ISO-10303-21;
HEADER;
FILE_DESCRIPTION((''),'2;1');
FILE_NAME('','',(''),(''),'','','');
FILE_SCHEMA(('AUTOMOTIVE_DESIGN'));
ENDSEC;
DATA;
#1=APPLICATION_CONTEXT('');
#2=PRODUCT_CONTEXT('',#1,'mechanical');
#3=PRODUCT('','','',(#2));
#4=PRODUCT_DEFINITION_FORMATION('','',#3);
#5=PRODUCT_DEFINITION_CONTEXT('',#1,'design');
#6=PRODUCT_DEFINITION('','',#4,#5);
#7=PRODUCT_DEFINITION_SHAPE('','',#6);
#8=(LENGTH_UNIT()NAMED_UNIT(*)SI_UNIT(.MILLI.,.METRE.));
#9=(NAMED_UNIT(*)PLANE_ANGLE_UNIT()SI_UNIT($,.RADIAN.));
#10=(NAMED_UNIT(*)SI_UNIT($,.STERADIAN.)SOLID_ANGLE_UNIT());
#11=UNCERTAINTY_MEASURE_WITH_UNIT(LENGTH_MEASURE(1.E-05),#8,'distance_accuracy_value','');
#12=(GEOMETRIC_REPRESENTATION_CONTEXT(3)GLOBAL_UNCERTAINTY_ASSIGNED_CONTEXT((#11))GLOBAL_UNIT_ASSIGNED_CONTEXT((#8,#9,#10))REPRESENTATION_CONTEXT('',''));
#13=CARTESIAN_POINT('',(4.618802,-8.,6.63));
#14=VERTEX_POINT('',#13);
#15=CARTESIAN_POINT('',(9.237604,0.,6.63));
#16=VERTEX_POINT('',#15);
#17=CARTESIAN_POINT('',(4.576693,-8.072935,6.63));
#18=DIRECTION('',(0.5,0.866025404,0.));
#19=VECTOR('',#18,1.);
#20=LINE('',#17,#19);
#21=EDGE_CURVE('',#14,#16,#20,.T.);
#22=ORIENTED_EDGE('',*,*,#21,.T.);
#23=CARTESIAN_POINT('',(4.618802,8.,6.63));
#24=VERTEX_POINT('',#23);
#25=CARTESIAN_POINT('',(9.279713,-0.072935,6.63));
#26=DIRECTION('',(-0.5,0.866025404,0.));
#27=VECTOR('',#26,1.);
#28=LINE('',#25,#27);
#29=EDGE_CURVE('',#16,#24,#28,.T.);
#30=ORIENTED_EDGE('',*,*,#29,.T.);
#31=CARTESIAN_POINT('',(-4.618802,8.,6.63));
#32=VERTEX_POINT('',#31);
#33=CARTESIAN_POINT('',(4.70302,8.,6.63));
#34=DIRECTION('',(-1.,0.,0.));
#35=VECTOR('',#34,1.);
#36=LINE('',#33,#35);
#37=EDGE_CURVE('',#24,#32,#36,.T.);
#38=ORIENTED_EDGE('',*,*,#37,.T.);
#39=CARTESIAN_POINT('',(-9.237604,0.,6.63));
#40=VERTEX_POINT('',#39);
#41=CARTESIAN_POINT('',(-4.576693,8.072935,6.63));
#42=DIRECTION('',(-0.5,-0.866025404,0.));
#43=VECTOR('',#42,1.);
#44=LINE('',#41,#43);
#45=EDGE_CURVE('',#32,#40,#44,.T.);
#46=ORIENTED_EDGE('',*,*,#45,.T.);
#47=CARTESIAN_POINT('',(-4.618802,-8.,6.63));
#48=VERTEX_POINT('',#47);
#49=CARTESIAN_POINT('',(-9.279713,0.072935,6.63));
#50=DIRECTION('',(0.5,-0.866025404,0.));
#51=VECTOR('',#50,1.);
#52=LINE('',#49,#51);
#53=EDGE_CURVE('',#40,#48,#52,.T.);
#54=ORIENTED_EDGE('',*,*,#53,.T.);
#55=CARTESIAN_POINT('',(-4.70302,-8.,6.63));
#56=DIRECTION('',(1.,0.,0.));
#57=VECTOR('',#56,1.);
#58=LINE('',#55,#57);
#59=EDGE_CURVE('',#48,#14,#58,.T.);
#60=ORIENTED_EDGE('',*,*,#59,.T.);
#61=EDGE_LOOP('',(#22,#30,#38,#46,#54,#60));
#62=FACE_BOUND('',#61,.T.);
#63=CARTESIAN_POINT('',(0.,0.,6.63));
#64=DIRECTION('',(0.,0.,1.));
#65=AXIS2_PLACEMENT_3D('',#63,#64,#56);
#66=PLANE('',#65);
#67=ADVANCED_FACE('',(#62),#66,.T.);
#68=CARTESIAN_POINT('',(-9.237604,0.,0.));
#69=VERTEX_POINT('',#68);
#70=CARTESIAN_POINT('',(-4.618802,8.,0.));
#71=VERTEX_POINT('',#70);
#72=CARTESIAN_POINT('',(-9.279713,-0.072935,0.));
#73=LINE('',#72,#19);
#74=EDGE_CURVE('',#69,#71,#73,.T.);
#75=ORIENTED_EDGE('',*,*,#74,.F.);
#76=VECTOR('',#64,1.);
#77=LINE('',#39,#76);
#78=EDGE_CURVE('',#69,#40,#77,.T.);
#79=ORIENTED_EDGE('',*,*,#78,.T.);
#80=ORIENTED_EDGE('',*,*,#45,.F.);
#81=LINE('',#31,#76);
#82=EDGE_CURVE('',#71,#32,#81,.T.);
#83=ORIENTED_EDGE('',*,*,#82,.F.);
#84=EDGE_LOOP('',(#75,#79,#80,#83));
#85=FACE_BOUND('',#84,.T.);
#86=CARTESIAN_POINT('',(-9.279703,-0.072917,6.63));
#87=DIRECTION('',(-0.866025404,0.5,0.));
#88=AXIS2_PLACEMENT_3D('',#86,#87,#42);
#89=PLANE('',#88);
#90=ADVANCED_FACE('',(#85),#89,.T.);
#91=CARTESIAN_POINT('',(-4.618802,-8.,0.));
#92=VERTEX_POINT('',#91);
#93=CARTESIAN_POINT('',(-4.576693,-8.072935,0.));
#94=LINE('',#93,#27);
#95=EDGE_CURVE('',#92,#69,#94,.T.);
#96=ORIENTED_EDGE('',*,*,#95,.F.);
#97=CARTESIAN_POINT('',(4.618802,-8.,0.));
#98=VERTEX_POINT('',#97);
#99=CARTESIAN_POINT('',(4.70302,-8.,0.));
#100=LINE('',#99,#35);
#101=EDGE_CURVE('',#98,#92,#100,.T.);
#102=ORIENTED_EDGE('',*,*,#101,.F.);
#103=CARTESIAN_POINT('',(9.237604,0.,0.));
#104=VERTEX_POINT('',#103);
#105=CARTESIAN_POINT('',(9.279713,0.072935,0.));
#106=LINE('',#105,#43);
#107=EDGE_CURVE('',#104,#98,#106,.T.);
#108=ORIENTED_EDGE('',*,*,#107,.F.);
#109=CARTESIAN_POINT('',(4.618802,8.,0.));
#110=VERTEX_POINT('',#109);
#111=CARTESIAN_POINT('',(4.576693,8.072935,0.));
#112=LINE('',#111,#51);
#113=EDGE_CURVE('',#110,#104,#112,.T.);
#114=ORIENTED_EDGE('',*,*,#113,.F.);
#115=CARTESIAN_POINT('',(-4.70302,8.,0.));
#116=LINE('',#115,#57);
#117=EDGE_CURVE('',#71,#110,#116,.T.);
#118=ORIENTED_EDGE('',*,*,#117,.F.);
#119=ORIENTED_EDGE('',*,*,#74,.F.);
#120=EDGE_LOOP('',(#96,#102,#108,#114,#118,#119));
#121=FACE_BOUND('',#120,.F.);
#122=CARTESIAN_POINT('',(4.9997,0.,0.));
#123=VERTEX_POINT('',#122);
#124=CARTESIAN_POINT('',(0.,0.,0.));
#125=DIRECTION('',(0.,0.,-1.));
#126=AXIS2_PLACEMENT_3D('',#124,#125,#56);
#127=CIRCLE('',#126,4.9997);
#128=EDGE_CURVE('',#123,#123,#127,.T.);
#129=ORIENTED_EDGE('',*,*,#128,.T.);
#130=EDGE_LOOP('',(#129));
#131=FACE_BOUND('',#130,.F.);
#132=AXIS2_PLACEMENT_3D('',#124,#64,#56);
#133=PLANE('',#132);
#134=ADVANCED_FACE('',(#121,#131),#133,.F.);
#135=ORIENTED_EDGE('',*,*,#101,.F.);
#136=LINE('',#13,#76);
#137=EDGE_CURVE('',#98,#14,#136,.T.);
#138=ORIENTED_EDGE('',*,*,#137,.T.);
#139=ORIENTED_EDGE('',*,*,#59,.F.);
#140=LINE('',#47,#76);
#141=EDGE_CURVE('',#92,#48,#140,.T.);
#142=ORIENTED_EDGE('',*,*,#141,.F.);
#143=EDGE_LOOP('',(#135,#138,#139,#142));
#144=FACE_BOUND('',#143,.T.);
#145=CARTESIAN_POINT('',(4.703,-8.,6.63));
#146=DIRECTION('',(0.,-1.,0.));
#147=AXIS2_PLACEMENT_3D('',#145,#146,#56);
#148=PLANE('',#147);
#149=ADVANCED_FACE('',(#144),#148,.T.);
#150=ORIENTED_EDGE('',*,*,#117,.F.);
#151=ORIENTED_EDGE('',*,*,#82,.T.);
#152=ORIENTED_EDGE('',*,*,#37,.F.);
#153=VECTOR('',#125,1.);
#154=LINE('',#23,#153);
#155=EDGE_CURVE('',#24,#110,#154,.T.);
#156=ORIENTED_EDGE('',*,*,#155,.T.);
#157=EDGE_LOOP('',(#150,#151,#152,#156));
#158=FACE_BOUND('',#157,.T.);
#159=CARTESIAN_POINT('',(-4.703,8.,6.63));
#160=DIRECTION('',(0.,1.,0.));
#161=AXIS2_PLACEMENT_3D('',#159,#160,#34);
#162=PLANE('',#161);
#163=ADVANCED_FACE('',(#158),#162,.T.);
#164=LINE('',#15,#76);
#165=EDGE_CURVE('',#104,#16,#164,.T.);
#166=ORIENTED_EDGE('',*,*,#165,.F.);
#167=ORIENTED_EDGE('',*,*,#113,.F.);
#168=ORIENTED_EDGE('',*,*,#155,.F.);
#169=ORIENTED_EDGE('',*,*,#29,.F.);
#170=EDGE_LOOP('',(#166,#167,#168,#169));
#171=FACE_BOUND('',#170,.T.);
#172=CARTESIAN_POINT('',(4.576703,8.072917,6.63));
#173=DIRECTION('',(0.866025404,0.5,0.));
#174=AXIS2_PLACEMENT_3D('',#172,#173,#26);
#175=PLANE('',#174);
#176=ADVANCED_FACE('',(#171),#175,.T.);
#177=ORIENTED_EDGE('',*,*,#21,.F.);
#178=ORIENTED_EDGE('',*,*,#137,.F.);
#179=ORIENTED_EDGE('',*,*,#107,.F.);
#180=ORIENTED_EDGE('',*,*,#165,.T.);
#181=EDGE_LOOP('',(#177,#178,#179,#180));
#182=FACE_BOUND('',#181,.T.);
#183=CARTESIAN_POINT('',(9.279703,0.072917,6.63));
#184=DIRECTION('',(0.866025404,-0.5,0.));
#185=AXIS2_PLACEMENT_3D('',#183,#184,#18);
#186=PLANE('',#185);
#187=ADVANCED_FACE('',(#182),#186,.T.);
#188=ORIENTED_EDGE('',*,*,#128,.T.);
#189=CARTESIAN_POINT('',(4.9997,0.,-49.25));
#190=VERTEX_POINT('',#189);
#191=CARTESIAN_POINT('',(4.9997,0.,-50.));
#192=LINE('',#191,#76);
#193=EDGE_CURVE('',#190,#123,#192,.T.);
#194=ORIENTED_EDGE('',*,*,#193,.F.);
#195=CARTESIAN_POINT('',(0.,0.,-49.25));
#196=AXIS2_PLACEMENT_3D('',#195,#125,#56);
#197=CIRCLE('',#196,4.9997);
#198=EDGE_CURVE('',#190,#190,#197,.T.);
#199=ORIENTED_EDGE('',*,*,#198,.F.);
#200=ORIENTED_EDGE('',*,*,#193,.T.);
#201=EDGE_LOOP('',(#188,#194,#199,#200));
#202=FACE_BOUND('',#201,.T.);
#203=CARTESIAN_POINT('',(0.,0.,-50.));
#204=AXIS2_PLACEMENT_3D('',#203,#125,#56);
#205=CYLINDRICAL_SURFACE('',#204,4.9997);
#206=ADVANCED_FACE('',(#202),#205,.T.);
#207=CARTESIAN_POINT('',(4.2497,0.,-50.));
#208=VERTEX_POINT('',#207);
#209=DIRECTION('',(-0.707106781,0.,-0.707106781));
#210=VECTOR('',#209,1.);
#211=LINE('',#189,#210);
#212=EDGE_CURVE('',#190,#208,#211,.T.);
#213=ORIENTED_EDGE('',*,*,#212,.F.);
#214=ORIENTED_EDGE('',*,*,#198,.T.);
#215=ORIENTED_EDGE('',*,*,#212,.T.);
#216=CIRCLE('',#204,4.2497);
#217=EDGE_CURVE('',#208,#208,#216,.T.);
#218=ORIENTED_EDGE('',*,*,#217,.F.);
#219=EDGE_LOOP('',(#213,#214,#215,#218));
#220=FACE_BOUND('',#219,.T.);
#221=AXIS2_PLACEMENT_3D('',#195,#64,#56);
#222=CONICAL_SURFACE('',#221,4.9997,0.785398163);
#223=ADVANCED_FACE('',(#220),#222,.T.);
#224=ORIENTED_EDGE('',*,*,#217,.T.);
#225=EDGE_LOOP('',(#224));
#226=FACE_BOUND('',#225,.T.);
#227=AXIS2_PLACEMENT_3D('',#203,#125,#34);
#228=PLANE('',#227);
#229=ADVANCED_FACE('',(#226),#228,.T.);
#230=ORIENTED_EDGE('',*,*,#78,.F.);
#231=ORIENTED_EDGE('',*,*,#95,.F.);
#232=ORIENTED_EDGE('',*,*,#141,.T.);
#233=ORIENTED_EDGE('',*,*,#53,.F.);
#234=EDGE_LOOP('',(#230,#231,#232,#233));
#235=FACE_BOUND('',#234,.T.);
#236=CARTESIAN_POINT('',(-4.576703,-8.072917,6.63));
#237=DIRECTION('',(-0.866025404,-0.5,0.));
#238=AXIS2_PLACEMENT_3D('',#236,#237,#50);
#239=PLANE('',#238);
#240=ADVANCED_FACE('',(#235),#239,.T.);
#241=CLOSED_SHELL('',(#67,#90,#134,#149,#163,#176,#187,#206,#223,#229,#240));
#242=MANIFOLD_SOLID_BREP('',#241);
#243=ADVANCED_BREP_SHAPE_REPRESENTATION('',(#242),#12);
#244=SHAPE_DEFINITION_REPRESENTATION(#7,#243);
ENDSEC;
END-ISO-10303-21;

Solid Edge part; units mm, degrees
sketch "Sketch1" plane through (0, 0, 0) normal (0, 0, 1) x (1, 0, 0)
  circle A0 centre (0, 0) radius 9.28
  dimension "D1" = 18.56
extrude "Protrusion1" add sketch "Sketch1" along normal blind 6.63
sketch "Sketch2" plane through (0, 0, 0) normal (0, 0, -1) x (1, 0, 0)
  circle A0 centre (0, 0) radius 5
extrude "Protrusion2" add sketch "Sketch2" along normal blind 50
sketch "Sketch3" plane through (0, 0, -50) normal (0, 0, -1) x (1, 0, 0)
  circle A0 centre (0, 0) radius 4.9997
extrude "Cutout1" cut sketch "Sketch3" against normal blind 50 flip side to cut
chamfer "Chamfer_1" distance 0.75 angle 45 1 edges at (-4.9997, 0, -50)
sketch "Sketch4" plane through (0, 0, 6.63) normal (0, 0, 1) x (1, 0, 0)
  line L0 (-4.703, 8) -> (4.703, 8)
  dimension "D1" = 16
extrude "Cutout2" cut sketch "Sketch4" against normal up to next material side at (0, 8.05, 6.63)
pattern_circular "Pattern1" count 6 over 360 about axis through (0, 0, 6.63) along (0, 0, 1) of "Cutout2"
properties part number "185615" material "Stainless Steel, 304"
